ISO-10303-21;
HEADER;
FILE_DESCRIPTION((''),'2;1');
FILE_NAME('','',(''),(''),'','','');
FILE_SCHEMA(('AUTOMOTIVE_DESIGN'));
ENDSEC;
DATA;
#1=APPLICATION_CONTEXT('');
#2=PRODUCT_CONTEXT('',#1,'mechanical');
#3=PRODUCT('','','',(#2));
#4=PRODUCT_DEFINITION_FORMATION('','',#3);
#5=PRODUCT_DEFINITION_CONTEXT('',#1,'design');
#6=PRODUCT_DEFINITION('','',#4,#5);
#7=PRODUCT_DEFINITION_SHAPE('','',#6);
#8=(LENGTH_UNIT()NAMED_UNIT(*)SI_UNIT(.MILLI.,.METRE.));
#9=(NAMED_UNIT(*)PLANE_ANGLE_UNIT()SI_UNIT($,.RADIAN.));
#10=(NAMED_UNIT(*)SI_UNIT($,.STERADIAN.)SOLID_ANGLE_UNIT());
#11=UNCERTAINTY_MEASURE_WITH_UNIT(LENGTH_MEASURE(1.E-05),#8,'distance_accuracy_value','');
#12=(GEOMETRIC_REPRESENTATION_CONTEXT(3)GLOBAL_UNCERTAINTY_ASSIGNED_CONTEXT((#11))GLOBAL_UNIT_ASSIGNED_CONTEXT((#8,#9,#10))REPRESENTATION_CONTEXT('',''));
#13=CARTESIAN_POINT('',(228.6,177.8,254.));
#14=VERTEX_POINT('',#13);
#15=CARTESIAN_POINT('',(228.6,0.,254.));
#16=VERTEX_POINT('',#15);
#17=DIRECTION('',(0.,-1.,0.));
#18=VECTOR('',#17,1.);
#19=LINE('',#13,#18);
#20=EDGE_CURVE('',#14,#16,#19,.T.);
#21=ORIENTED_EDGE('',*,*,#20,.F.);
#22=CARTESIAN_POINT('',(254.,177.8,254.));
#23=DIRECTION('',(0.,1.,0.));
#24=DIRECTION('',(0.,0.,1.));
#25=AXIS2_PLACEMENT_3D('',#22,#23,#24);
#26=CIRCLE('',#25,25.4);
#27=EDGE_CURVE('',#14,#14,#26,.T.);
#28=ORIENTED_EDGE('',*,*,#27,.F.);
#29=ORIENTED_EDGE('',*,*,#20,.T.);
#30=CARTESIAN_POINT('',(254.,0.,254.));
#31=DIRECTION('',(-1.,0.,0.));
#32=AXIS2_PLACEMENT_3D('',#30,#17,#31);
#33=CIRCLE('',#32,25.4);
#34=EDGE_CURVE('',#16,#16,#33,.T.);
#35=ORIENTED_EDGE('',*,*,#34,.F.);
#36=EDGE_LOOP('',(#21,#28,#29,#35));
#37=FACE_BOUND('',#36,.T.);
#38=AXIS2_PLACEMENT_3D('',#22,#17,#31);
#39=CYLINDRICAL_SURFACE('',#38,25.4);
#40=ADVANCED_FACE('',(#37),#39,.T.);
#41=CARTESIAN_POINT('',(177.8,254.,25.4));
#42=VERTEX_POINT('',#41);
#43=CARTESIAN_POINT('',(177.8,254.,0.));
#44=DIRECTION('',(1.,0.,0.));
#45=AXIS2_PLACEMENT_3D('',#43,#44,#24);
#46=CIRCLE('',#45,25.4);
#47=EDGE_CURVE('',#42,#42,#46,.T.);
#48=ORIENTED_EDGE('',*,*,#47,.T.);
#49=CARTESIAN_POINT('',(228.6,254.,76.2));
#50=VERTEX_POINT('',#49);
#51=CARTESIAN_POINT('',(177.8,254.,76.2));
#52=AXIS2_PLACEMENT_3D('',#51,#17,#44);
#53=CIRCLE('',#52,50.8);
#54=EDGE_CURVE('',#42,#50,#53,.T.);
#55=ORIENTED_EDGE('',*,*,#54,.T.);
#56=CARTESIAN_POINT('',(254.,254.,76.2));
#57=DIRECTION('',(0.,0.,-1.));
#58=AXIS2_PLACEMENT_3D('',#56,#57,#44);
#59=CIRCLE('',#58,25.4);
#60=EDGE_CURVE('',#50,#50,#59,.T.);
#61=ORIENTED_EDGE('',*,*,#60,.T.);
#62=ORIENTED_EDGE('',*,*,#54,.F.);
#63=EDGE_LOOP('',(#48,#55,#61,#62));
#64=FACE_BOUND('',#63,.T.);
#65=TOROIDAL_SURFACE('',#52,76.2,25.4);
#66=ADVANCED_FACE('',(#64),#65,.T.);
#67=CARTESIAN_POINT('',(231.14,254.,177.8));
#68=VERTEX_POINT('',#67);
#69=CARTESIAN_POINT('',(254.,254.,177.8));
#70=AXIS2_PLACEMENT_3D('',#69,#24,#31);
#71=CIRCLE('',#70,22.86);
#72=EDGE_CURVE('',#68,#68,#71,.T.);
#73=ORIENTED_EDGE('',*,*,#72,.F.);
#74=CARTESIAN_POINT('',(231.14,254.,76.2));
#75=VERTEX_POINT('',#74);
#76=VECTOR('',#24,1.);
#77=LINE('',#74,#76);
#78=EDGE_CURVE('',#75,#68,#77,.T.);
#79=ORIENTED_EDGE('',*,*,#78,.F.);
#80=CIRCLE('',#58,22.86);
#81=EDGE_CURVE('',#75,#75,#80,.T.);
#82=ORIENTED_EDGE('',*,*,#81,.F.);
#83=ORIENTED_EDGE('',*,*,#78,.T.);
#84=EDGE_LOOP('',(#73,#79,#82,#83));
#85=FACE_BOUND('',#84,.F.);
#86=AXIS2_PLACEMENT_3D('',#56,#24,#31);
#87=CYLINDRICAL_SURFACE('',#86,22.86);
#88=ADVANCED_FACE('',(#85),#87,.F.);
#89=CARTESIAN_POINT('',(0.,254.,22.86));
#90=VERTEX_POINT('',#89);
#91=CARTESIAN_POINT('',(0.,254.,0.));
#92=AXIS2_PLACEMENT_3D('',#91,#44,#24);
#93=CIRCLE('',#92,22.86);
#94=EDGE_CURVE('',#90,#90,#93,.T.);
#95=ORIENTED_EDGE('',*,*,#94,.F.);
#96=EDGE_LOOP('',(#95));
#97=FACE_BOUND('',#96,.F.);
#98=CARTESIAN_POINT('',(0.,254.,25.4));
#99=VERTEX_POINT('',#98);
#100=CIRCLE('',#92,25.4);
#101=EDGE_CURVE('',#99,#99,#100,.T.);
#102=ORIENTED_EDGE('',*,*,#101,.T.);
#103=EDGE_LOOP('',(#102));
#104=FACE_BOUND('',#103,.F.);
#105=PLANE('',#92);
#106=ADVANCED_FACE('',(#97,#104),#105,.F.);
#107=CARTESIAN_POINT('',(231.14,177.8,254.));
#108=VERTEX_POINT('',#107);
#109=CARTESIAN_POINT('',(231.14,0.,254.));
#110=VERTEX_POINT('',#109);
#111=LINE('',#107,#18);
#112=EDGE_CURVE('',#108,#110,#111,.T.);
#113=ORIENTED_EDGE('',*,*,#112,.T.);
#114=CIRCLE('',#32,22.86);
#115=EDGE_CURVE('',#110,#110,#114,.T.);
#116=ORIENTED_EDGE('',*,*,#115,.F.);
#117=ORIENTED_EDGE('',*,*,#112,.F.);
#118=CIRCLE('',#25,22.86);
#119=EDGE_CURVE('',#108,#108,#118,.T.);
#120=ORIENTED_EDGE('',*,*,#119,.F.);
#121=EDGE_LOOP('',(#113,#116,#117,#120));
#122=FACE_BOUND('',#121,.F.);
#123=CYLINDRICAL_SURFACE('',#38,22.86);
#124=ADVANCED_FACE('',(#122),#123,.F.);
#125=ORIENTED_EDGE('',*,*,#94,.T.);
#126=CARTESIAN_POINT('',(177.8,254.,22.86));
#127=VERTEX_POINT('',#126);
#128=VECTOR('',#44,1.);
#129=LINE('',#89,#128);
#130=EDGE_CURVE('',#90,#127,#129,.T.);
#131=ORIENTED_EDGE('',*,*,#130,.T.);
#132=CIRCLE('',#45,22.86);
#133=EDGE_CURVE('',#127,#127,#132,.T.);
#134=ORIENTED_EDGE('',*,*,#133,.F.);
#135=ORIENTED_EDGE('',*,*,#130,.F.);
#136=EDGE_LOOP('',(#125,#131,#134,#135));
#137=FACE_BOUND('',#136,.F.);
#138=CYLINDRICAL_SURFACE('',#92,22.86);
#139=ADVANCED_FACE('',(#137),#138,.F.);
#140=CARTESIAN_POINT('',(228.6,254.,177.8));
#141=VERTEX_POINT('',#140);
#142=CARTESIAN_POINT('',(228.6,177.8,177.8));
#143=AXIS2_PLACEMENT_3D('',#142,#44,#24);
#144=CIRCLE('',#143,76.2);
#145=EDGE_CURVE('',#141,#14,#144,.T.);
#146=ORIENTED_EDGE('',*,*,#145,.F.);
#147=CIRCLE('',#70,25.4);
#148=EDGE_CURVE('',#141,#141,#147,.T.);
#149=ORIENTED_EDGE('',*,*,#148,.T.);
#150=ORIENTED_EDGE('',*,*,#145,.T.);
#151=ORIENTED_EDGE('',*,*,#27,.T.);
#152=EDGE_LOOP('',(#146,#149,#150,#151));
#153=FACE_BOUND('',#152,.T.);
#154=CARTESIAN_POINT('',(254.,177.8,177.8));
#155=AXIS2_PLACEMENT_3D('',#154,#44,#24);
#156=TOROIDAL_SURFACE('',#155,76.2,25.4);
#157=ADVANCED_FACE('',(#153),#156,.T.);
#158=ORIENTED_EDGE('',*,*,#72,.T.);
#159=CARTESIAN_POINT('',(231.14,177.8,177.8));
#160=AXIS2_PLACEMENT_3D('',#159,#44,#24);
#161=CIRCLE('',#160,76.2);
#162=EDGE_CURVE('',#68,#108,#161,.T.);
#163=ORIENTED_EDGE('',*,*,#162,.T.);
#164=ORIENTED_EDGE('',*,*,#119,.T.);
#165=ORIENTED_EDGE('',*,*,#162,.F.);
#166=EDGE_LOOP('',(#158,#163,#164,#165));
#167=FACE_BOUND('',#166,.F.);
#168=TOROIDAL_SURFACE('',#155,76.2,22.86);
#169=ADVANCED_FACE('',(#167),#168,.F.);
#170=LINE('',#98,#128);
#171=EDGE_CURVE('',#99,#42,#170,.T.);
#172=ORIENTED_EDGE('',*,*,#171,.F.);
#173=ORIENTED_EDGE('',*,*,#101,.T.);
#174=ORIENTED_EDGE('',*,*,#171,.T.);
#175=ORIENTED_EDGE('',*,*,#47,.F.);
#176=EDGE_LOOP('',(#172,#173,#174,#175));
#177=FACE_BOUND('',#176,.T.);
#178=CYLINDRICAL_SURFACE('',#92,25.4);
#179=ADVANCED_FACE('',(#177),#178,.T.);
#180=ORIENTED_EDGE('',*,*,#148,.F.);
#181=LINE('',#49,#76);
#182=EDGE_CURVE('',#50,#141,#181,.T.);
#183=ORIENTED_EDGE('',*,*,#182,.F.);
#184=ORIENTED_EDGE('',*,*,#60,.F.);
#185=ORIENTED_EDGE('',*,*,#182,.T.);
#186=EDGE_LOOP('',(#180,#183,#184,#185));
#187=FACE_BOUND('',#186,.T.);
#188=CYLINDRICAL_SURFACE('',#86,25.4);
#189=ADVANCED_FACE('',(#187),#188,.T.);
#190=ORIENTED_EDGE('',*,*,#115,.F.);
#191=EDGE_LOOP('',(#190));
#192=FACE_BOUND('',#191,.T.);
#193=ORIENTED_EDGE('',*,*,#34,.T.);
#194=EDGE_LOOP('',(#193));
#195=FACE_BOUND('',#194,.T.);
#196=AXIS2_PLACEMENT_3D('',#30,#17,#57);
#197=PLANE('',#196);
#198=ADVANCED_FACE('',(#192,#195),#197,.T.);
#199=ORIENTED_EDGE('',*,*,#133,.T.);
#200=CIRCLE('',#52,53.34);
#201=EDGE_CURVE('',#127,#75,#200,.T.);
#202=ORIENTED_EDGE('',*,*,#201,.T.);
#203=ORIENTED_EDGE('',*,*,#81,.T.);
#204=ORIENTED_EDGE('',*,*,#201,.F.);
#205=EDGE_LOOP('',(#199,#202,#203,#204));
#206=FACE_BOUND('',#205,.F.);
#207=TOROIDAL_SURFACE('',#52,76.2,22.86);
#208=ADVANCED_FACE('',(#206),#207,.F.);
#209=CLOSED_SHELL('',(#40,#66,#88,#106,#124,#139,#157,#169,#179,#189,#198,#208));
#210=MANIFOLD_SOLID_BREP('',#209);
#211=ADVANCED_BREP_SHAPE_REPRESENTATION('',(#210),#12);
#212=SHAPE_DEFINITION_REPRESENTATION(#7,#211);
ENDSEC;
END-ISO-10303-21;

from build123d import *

# Parameters (mm, degrees)
SWEEP1_PROFILE_R = 25.4
SHELL1_T         = -2.54


with BuildPart() as part:
    # Sweep1: sweep along a curve in space
    with BuildLine() as sweep1_path:
        Line((0, 254, 0), (177.8, 254, 0))
        ThreePointArc((254, 254, 76.2), (231.681536726, 254, 22.318463274), (177.8, 254, 0))
        Line((254, 254, 76.2), (254, 254, 177.8))
        ThreePointArc((254, 177.8, 254), (254, 231.681536726, 231.681536726), (254, 254, 177.8))
        Line((254, 177.8, 254), (254, 0, 254))
    # Sweep1 profile (on start of the path) → Sweep1 (sweep)
    with BuildSketch(Plane(origin=(0, 254, 0), x_dir=(0, 0, 1), z_dir=(1, 0, 0))):
        Circle(SWEEP1_PROFILE_R)
    sweep(path=sweep1_path.line)

    # Shell1
    shell1_openings = [part.faces().sort_by_distance(p)[0] for p in [
        (254, 0, 254),
        (0, 254, 0),
    ]]
    offset(amount=SHELL1_T, openings=shell1_openings, kind=Kind.INTERSECTION)


solid = part.part
